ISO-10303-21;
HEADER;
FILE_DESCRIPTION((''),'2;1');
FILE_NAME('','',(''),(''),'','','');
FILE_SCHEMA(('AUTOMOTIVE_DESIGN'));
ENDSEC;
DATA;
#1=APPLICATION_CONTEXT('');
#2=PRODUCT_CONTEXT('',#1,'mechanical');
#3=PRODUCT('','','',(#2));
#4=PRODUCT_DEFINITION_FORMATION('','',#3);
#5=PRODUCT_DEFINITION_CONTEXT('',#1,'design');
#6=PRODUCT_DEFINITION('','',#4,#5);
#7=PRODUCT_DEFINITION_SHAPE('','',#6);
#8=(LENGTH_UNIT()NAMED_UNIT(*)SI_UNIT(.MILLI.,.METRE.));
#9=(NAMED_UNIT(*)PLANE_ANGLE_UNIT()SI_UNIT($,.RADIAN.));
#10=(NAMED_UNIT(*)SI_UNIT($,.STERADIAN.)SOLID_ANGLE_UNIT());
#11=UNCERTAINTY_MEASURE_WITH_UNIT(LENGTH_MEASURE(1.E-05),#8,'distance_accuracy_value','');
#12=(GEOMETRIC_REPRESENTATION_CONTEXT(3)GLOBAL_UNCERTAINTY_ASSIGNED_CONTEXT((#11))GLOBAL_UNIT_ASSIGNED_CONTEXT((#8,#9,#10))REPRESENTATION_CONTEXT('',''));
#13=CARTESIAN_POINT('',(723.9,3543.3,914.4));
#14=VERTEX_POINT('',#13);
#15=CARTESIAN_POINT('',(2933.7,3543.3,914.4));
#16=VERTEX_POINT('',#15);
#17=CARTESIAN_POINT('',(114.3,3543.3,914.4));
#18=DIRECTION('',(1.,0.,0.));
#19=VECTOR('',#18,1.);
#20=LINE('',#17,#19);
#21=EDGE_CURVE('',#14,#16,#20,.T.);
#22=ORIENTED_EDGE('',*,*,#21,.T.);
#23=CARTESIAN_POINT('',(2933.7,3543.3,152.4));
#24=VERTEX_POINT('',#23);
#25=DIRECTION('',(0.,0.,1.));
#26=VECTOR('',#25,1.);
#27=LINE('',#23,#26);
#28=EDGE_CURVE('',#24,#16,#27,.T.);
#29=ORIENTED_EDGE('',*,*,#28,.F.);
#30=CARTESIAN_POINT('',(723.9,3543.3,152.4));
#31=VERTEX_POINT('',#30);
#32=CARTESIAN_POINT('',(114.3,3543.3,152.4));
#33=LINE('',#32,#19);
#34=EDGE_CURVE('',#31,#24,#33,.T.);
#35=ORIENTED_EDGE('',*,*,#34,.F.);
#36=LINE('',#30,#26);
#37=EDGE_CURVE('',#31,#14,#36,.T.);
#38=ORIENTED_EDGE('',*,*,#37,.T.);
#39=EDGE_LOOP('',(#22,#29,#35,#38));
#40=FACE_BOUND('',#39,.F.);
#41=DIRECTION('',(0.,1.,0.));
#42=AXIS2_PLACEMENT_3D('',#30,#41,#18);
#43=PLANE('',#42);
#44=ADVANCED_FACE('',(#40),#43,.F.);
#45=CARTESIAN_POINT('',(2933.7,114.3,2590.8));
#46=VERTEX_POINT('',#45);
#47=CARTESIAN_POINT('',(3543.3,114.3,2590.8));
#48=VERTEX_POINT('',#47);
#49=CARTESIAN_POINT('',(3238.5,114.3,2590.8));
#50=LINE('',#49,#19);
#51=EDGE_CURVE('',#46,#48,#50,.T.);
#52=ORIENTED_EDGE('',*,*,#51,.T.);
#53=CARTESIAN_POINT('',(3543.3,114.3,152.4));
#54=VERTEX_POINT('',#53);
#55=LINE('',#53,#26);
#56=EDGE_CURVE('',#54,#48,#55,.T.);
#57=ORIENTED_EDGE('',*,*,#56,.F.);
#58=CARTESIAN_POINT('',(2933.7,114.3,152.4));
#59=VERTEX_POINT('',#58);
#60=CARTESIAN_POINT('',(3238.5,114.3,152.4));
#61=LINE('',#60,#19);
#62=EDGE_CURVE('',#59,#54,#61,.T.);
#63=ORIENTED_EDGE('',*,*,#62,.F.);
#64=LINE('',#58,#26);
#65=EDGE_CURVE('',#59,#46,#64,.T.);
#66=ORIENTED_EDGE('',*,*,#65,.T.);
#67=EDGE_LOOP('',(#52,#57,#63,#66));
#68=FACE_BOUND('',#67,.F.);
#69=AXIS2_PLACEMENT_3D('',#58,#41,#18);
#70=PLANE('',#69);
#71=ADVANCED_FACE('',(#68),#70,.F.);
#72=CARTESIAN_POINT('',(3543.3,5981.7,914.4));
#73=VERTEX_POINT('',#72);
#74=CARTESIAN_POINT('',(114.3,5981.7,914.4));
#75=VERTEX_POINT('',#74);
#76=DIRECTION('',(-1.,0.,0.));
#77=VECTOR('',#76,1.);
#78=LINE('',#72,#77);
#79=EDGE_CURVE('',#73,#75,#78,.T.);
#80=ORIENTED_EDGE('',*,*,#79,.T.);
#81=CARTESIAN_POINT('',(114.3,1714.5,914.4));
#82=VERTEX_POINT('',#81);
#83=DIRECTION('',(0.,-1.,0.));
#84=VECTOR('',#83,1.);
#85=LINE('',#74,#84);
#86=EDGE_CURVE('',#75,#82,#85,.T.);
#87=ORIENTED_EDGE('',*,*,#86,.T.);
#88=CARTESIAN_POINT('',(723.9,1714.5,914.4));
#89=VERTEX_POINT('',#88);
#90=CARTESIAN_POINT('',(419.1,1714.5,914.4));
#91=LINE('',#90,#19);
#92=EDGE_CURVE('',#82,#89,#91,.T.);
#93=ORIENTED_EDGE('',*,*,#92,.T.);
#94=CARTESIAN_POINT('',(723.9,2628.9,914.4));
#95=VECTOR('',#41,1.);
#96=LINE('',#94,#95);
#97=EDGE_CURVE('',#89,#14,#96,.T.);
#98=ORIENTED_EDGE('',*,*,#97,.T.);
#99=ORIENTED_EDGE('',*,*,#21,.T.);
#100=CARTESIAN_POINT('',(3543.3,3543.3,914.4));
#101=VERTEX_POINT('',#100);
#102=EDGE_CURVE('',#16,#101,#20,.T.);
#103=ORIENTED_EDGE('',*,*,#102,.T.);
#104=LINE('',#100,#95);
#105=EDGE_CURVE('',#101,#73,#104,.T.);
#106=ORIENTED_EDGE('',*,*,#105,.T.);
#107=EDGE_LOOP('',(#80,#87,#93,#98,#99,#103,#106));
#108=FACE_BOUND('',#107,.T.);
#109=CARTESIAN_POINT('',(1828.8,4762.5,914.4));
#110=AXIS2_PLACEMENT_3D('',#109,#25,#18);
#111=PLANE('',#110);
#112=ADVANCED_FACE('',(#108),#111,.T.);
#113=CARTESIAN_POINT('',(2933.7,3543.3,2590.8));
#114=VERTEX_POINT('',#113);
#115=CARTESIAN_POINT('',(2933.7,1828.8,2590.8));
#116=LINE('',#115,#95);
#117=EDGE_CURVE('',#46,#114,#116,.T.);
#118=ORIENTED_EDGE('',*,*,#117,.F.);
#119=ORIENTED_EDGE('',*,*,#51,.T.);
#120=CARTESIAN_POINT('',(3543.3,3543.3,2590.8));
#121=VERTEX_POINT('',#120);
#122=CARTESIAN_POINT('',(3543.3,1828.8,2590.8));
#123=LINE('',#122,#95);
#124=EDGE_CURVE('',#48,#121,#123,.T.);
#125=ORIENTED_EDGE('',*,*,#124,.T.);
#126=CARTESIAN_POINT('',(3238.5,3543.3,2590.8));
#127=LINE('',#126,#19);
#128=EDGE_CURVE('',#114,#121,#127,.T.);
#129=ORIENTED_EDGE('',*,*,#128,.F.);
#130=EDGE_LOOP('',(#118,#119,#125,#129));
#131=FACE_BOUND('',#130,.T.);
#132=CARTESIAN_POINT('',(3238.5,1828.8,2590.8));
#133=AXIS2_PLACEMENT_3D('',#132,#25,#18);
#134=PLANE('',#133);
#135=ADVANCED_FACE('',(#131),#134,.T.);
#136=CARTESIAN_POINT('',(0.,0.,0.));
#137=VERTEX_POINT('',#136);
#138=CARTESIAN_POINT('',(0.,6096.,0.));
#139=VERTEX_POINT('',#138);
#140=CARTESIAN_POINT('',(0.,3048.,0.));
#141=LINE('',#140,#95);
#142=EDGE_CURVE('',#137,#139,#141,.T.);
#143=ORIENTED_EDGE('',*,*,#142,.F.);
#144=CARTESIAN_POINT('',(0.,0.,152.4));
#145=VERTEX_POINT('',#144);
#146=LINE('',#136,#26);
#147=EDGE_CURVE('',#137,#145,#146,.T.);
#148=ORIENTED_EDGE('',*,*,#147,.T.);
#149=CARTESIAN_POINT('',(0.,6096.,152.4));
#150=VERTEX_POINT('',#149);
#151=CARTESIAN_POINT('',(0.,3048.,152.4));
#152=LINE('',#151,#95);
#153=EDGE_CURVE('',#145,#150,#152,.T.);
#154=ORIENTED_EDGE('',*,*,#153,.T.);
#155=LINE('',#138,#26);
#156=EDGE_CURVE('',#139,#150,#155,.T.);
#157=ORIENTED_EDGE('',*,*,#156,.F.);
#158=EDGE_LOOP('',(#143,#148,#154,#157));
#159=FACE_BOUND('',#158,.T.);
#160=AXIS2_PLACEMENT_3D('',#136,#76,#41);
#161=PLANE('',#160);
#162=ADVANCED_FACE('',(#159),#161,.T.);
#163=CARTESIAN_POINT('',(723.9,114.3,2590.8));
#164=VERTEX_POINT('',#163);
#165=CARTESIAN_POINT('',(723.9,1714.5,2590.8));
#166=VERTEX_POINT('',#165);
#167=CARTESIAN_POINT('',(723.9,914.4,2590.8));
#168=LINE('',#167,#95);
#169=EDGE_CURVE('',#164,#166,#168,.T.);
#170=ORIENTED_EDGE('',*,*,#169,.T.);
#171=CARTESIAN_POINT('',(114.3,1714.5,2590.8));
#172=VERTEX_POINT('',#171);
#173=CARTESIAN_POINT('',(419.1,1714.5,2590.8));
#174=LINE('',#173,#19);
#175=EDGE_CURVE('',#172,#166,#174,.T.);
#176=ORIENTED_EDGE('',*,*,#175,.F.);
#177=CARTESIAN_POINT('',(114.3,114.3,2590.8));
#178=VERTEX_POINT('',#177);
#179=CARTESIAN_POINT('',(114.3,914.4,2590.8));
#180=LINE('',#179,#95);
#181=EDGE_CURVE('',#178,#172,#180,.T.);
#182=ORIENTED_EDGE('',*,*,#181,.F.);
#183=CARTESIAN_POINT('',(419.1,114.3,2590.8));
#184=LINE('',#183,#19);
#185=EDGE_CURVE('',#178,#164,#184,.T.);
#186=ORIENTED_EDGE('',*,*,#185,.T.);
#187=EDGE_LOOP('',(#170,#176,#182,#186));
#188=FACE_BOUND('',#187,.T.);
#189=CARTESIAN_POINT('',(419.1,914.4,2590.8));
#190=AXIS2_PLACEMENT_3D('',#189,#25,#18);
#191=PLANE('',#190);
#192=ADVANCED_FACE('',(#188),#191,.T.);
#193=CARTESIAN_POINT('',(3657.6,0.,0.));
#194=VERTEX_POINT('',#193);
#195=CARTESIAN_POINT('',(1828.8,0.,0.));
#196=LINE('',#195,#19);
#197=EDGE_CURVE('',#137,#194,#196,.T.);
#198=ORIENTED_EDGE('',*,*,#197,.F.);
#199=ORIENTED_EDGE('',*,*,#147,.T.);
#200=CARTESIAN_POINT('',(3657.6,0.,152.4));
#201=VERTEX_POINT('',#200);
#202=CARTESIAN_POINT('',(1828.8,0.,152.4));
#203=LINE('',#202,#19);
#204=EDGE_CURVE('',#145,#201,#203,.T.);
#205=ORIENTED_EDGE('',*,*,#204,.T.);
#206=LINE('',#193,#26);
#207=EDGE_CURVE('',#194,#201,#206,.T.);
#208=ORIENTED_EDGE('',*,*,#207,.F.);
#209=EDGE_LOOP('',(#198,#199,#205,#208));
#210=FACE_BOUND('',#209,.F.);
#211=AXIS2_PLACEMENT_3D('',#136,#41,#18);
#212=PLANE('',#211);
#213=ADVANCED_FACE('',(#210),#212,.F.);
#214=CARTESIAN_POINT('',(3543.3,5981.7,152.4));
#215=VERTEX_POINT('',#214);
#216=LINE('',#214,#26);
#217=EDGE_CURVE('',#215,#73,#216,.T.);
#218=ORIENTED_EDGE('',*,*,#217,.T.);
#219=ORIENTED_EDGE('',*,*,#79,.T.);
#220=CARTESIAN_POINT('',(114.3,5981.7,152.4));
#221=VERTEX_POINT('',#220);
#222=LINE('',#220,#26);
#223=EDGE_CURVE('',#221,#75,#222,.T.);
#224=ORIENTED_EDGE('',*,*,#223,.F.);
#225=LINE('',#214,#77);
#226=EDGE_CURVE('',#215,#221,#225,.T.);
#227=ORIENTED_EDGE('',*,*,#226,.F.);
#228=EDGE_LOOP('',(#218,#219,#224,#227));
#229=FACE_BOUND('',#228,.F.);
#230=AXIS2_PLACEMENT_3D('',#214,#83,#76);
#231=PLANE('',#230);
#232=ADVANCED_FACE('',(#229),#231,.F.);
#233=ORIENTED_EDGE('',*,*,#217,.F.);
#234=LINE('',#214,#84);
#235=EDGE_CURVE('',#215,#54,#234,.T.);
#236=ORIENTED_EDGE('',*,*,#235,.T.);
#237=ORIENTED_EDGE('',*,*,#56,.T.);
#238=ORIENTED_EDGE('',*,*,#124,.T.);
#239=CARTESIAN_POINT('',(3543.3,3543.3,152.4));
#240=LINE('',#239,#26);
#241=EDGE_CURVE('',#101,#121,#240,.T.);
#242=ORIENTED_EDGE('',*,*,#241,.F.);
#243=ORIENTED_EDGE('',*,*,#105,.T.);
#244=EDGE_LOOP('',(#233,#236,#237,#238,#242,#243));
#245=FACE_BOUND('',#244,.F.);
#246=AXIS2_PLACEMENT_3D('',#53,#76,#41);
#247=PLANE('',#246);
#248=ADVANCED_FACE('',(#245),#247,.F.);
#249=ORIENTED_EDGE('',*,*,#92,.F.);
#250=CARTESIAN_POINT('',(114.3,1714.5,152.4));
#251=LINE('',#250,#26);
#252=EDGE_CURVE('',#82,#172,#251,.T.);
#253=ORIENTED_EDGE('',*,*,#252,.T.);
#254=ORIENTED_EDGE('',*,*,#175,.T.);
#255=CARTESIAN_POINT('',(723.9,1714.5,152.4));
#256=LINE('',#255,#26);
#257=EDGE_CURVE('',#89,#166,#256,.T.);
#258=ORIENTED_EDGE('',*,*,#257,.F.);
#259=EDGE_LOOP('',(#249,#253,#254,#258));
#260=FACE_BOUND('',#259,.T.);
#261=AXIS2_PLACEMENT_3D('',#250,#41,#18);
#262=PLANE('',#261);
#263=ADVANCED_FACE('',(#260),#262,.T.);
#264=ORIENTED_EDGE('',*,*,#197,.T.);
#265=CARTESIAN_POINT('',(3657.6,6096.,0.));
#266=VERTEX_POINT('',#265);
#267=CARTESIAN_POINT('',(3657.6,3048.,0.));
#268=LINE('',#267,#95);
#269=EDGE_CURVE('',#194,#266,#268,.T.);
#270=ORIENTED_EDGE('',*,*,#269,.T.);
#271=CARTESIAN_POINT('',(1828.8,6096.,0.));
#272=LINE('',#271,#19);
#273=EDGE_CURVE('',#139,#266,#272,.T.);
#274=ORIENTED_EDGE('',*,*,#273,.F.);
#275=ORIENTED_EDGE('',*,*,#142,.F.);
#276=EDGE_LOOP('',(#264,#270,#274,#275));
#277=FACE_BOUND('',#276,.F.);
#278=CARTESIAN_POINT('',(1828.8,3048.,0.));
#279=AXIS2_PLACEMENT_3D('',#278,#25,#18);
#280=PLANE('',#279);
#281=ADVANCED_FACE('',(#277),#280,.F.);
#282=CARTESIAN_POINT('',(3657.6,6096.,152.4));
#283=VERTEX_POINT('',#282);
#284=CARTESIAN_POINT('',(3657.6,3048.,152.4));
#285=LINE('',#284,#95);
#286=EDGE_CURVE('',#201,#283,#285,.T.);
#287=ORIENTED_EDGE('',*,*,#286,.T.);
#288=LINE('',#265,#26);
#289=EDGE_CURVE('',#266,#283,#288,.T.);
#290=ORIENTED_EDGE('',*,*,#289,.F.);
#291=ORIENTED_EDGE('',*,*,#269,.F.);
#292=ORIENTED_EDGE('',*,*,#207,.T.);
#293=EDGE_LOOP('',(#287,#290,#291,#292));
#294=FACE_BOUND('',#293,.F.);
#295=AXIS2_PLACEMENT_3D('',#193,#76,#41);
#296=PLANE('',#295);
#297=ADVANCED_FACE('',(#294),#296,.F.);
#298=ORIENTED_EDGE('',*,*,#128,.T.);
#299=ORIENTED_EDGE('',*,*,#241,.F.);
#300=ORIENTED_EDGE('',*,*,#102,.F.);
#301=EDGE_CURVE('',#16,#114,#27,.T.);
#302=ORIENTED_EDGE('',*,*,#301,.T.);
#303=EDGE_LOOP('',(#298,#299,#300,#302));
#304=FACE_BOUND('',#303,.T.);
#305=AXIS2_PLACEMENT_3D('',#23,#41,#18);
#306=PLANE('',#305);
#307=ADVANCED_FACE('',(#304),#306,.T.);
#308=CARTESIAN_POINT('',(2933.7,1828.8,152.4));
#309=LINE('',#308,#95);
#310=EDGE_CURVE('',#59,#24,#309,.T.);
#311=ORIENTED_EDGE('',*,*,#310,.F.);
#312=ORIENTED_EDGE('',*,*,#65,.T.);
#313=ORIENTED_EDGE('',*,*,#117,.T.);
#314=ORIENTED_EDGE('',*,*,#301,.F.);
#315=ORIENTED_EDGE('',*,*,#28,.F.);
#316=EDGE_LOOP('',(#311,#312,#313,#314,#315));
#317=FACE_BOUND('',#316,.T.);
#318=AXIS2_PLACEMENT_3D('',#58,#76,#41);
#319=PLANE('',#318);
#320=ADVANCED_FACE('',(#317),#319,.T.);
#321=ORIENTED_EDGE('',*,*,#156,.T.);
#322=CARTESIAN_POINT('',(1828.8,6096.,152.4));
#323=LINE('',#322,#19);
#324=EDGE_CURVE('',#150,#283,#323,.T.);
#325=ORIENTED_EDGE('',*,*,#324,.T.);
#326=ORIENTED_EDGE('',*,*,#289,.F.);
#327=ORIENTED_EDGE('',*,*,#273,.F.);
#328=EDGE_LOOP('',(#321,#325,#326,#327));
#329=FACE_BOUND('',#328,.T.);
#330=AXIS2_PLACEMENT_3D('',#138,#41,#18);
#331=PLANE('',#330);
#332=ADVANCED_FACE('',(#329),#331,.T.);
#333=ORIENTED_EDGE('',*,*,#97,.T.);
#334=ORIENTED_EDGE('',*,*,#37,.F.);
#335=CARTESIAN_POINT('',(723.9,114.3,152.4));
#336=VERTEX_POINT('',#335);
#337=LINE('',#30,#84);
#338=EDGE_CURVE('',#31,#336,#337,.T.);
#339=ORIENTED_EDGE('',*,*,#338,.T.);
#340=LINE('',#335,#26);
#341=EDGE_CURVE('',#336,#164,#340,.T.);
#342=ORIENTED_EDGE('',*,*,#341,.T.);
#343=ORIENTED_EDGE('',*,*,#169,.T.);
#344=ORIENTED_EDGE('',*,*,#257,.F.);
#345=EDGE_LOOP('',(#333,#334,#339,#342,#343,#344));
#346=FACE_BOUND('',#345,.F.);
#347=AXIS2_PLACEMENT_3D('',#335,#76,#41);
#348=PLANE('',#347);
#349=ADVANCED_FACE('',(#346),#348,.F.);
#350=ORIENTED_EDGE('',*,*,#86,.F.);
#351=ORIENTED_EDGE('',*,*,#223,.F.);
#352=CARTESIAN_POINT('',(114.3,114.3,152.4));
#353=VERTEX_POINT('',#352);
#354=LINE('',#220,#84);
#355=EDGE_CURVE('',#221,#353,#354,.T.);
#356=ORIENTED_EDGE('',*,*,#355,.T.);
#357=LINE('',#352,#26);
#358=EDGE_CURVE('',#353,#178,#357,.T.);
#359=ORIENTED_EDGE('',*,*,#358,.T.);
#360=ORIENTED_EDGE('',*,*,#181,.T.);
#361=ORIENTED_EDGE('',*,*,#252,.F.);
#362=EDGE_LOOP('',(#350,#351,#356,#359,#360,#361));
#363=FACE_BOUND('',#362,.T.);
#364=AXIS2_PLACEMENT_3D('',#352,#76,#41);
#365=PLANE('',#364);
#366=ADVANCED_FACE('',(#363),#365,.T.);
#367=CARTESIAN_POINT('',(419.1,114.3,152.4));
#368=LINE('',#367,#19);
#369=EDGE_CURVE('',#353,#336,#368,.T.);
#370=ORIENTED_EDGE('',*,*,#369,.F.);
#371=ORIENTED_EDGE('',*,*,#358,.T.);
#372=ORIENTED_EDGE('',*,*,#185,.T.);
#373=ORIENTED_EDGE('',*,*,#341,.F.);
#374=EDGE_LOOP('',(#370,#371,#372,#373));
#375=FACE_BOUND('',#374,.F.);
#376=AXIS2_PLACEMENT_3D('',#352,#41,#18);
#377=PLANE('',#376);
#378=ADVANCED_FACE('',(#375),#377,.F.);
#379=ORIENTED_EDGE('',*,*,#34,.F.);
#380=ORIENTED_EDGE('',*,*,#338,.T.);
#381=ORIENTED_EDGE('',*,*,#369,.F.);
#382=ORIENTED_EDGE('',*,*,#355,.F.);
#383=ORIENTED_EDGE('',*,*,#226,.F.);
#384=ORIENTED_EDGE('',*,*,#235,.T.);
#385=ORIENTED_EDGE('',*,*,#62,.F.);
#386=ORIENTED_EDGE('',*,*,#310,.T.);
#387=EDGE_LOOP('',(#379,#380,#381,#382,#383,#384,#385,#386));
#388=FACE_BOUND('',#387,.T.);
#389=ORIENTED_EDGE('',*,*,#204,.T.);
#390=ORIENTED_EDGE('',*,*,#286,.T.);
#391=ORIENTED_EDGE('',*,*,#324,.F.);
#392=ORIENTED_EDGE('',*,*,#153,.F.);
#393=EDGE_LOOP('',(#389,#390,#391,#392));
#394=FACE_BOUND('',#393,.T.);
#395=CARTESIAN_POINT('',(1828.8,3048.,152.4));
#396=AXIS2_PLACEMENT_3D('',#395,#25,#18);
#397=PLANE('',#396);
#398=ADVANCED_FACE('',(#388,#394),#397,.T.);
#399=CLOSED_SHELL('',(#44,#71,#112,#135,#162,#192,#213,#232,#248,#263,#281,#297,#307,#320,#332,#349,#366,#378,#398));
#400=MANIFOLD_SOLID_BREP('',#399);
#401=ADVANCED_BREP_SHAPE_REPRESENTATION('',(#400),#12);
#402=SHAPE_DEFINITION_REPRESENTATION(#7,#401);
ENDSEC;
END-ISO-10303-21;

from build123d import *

# Parameters (mm, degrees)
F0_W     = 3657.6
F0_H     = 6096
F1_DEPTH = 152.4
F2_W     = 609.6
F2_H     = 1828.8
F3_DEPTH = 762
F2_H_2   = 1600.2
F2_H_3   = 3429
F4_DEPTH = 2438.4


with BuildPart() as f1:
    # F0 (on Top) → F1 (new body)
    with BuildSketch(Plane.XY):
        with Locations((1828.8, 3048)):
            Rectangle(F0_W, F0_H)
    extrude(amount=F1_DEPTH)

    # F2 (on face) → F3 (join)
    with BuildSketch(Plane.XY.offset(152.4)):
        Polygon((3543.3, 5981.7), (114.3, 5981.7), (114.3, 3543.3), (723.9, 3543.3), (2933.7, 3543.3), (3543.3, 3543.3), align=None)
        with Locations((419.1, 2628.9)):
            Rectangle(F2_W, F2_H)
    extrude(amount=F3_DEPTH)

    # F2 (on face) → F4 (join)
    with BuildSketch(Plane.XY.offset(152.4)):
        with Locations((419.1, 914.4)):
            Rectangle(F2_W, F2_H_2)
        with Locations((3238.5, 1828.8)):
            Rectangle(F2_W, F2_H_3)
    extrude(amount=F4_DEPTH)


solid = f1.part
